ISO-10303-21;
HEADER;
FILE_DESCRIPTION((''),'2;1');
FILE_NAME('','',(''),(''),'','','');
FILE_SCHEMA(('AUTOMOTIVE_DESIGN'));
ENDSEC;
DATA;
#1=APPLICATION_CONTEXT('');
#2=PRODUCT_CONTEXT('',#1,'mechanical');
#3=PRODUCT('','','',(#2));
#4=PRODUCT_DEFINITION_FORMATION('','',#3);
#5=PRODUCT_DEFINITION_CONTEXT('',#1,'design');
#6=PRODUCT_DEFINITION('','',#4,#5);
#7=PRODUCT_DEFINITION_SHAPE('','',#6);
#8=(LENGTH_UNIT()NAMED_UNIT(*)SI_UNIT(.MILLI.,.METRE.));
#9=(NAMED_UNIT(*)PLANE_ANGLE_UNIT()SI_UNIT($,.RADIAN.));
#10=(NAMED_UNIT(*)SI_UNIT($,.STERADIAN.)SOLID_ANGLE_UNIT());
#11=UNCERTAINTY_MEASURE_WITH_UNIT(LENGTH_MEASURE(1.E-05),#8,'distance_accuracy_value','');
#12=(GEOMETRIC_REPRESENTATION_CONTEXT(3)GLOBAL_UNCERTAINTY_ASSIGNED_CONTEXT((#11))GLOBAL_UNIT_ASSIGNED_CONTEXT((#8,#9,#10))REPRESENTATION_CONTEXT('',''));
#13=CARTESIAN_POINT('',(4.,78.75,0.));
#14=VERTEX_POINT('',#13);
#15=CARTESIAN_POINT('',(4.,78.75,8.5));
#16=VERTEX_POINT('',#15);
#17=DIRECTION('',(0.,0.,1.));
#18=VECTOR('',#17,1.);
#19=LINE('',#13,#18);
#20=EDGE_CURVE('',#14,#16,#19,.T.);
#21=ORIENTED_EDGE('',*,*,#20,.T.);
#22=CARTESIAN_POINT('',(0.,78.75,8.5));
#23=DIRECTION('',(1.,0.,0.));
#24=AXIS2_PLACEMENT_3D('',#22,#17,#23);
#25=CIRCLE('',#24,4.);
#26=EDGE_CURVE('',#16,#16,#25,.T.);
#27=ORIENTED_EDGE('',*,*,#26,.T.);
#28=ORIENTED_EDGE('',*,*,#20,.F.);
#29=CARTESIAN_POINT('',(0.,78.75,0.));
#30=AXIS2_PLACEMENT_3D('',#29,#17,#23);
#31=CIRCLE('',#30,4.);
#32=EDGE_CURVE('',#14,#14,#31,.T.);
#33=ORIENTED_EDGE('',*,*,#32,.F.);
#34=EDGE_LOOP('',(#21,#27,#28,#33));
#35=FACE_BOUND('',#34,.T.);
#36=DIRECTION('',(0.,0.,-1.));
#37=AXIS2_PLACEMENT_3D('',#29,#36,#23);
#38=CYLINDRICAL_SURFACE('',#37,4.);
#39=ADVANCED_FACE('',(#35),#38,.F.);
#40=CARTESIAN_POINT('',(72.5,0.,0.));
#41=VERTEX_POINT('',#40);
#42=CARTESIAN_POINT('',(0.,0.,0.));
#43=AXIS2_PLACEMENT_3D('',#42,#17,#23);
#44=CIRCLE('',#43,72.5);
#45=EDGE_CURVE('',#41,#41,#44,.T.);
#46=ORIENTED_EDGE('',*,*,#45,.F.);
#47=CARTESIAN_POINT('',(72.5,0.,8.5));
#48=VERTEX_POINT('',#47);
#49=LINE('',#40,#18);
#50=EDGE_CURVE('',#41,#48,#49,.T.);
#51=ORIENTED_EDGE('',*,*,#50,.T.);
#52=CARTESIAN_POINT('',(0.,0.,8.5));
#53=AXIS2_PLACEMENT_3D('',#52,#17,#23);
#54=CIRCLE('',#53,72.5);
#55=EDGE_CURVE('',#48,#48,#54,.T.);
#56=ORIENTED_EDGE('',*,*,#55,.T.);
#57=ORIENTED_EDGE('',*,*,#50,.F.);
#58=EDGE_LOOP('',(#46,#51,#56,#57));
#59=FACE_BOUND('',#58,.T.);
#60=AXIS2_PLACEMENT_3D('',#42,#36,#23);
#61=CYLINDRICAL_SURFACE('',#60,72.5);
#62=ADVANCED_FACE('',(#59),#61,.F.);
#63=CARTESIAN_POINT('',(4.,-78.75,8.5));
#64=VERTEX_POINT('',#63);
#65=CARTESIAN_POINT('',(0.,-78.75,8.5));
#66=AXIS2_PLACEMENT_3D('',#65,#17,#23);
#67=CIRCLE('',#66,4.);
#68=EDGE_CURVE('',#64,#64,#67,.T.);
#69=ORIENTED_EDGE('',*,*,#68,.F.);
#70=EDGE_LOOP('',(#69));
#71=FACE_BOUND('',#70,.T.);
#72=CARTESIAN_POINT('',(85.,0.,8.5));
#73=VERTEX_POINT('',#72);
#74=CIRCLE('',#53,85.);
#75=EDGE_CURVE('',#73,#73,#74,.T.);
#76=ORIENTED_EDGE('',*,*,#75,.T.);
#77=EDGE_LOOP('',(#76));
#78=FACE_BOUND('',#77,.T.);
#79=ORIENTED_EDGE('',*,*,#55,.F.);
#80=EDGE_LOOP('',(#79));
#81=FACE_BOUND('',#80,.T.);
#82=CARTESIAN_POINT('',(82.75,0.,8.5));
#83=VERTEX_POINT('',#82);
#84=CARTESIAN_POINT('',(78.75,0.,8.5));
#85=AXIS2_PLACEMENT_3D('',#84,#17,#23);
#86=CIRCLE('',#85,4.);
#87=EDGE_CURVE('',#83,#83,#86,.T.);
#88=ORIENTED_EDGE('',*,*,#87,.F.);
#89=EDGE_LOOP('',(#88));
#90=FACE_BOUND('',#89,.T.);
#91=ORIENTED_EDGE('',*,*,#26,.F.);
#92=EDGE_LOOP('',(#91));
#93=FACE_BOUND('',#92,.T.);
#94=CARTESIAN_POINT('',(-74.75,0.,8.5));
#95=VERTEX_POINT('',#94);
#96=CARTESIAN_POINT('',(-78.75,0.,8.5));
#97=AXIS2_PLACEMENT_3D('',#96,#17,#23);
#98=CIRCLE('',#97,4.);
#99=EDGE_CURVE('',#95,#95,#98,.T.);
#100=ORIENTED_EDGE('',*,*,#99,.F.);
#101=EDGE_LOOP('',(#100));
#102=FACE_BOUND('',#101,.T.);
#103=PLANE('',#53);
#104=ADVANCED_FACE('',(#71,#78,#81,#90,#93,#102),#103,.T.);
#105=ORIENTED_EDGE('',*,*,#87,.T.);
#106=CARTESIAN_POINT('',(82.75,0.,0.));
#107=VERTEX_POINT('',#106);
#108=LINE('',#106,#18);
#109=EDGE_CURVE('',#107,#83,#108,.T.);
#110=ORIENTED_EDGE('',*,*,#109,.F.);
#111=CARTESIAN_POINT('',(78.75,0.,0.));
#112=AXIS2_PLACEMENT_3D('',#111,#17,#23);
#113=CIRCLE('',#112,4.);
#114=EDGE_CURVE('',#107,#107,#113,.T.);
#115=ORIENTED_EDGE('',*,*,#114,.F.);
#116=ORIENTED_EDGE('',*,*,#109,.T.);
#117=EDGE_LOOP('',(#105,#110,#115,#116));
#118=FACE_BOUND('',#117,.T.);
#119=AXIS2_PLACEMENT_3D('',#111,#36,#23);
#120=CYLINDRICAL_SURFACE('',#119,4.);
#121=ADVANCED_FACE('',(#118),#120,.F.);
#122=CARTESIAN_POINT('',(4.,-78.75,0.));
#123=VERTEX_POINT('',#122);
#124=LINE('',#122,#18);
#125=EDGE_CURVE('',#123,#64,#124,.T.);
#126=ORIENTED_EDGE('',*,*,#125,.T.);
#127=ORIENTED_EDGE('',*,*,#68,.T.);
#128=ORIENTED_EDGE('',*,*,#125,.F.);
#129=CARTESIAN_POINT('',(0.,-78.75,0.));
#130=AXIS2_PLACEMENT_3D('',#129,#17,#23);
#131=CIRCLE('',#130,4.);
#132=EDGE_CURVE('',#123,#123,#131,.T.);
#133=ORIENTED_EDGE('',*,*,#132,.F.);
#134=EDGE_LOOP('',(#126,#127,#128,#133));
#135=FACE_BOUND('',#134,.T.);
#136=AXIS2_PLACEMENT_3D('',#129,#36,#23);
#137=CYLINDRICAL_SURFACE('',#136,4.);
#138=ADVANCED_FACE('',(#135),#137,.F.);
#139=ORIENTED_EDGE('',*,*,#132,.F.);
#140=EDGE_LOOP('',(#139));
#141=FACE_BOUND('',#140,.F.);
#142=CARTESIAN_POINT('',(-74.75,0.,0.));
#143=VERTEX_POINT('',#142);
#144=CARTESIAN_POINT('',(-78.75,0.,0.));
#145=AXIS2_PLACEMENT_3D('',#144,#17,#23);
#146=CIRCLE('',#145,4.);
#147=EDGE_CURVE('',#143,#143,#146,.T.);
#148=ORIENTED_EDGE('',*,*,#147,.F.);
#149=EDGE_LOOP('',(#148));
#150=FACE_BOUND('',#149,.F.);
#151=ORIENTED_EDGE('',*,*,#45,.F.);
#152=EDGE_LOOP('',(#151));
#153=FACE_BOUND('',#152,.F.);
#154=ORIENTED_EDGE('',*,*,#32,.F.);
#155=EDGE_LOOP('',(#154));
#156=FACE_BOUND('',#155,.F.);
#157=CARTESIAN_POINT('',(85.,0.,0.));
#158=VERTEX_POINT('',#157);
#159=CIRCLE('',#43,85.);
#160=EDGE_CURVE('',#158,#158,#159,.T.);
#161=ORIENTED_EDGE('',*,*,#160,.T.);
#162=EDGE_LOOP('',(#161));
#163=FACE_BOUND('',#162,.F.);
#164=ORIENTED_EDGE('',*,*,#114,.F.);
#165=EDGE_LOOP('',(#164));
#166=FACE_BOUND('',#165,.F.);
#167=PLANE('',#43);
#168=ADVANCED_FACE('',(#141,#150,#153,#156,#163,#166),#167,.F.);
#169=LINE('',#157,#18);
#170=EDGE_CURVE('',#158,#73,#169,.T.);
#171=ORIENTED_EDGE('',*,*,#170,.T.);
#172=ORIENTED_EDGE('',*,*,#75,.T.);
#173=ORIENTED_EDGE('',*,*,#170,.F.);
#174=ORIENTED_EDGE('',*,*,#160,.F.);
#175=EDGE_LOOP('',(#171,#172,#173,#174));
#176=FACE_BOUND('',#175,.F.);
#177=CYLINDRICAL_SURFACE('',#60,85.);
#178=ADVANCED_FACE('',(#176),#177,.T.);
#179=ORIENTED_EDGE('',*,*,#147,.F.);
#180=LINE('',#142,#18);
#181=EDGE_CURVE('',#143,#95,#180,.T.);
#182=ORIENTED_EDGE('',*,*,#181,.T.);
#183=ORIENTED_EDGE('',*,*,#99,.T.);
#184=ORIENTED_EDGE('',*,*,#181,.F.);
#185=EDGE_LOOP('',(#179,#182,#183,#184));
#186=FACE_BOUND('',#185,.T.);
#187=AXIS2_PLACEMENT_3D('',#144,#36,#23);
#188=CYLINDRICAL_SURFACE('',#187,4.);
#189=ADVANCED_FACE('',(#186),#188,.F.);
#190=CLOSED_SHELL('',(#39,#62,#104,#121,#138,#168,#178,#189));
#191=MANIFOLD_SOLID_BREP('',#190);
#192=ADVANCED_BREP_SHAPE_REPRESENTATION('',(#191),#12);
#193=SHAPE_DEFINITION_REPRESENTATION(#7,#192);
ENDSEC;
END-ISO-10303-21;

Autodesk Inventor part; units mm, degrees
ref_plane "YZ Plane" through (0, 0, 0) normal (1, 0, 0) x (0, 1, 0)
ref_plane "XZ Plane" through (0, 0, 0) normal (0, 1, 0) x (-1, 0, 0)
ref_plane "XY Plane" through (0, 0, 0) normal (0, 0, 1) x (1, 0, 0)
sketch "スケッチ1" plane through (0, 0, 0) normal (0, 0, 1) x (1, 0, 0)
  circle A0 centre (0, 0) radius 72.5
  circle A1 centre (0, 0) radius 85
  circle A2 centre (0, 0) radius 78.75 construction
  circle A3 centre (0, 78.75) radius 4
  circle A4 centre (78.75, 0) radius 4
  circle A5 centre (0, -78.75) radius 4
  circle A6 centre (-78.75, 0) radius 4
  dimension "d0" = 145
  dimension "d1" = 170
  dimension "d14" = 157.5
  dimension "d15" = 8
  dimension "d16" = 8
  dimension "d17" = 8
  dimension "d18" = 8
extrude "押し出し2" add sketch "スケッチ1" along normal blind 8.5
properties part number "ベアリング 内側"
